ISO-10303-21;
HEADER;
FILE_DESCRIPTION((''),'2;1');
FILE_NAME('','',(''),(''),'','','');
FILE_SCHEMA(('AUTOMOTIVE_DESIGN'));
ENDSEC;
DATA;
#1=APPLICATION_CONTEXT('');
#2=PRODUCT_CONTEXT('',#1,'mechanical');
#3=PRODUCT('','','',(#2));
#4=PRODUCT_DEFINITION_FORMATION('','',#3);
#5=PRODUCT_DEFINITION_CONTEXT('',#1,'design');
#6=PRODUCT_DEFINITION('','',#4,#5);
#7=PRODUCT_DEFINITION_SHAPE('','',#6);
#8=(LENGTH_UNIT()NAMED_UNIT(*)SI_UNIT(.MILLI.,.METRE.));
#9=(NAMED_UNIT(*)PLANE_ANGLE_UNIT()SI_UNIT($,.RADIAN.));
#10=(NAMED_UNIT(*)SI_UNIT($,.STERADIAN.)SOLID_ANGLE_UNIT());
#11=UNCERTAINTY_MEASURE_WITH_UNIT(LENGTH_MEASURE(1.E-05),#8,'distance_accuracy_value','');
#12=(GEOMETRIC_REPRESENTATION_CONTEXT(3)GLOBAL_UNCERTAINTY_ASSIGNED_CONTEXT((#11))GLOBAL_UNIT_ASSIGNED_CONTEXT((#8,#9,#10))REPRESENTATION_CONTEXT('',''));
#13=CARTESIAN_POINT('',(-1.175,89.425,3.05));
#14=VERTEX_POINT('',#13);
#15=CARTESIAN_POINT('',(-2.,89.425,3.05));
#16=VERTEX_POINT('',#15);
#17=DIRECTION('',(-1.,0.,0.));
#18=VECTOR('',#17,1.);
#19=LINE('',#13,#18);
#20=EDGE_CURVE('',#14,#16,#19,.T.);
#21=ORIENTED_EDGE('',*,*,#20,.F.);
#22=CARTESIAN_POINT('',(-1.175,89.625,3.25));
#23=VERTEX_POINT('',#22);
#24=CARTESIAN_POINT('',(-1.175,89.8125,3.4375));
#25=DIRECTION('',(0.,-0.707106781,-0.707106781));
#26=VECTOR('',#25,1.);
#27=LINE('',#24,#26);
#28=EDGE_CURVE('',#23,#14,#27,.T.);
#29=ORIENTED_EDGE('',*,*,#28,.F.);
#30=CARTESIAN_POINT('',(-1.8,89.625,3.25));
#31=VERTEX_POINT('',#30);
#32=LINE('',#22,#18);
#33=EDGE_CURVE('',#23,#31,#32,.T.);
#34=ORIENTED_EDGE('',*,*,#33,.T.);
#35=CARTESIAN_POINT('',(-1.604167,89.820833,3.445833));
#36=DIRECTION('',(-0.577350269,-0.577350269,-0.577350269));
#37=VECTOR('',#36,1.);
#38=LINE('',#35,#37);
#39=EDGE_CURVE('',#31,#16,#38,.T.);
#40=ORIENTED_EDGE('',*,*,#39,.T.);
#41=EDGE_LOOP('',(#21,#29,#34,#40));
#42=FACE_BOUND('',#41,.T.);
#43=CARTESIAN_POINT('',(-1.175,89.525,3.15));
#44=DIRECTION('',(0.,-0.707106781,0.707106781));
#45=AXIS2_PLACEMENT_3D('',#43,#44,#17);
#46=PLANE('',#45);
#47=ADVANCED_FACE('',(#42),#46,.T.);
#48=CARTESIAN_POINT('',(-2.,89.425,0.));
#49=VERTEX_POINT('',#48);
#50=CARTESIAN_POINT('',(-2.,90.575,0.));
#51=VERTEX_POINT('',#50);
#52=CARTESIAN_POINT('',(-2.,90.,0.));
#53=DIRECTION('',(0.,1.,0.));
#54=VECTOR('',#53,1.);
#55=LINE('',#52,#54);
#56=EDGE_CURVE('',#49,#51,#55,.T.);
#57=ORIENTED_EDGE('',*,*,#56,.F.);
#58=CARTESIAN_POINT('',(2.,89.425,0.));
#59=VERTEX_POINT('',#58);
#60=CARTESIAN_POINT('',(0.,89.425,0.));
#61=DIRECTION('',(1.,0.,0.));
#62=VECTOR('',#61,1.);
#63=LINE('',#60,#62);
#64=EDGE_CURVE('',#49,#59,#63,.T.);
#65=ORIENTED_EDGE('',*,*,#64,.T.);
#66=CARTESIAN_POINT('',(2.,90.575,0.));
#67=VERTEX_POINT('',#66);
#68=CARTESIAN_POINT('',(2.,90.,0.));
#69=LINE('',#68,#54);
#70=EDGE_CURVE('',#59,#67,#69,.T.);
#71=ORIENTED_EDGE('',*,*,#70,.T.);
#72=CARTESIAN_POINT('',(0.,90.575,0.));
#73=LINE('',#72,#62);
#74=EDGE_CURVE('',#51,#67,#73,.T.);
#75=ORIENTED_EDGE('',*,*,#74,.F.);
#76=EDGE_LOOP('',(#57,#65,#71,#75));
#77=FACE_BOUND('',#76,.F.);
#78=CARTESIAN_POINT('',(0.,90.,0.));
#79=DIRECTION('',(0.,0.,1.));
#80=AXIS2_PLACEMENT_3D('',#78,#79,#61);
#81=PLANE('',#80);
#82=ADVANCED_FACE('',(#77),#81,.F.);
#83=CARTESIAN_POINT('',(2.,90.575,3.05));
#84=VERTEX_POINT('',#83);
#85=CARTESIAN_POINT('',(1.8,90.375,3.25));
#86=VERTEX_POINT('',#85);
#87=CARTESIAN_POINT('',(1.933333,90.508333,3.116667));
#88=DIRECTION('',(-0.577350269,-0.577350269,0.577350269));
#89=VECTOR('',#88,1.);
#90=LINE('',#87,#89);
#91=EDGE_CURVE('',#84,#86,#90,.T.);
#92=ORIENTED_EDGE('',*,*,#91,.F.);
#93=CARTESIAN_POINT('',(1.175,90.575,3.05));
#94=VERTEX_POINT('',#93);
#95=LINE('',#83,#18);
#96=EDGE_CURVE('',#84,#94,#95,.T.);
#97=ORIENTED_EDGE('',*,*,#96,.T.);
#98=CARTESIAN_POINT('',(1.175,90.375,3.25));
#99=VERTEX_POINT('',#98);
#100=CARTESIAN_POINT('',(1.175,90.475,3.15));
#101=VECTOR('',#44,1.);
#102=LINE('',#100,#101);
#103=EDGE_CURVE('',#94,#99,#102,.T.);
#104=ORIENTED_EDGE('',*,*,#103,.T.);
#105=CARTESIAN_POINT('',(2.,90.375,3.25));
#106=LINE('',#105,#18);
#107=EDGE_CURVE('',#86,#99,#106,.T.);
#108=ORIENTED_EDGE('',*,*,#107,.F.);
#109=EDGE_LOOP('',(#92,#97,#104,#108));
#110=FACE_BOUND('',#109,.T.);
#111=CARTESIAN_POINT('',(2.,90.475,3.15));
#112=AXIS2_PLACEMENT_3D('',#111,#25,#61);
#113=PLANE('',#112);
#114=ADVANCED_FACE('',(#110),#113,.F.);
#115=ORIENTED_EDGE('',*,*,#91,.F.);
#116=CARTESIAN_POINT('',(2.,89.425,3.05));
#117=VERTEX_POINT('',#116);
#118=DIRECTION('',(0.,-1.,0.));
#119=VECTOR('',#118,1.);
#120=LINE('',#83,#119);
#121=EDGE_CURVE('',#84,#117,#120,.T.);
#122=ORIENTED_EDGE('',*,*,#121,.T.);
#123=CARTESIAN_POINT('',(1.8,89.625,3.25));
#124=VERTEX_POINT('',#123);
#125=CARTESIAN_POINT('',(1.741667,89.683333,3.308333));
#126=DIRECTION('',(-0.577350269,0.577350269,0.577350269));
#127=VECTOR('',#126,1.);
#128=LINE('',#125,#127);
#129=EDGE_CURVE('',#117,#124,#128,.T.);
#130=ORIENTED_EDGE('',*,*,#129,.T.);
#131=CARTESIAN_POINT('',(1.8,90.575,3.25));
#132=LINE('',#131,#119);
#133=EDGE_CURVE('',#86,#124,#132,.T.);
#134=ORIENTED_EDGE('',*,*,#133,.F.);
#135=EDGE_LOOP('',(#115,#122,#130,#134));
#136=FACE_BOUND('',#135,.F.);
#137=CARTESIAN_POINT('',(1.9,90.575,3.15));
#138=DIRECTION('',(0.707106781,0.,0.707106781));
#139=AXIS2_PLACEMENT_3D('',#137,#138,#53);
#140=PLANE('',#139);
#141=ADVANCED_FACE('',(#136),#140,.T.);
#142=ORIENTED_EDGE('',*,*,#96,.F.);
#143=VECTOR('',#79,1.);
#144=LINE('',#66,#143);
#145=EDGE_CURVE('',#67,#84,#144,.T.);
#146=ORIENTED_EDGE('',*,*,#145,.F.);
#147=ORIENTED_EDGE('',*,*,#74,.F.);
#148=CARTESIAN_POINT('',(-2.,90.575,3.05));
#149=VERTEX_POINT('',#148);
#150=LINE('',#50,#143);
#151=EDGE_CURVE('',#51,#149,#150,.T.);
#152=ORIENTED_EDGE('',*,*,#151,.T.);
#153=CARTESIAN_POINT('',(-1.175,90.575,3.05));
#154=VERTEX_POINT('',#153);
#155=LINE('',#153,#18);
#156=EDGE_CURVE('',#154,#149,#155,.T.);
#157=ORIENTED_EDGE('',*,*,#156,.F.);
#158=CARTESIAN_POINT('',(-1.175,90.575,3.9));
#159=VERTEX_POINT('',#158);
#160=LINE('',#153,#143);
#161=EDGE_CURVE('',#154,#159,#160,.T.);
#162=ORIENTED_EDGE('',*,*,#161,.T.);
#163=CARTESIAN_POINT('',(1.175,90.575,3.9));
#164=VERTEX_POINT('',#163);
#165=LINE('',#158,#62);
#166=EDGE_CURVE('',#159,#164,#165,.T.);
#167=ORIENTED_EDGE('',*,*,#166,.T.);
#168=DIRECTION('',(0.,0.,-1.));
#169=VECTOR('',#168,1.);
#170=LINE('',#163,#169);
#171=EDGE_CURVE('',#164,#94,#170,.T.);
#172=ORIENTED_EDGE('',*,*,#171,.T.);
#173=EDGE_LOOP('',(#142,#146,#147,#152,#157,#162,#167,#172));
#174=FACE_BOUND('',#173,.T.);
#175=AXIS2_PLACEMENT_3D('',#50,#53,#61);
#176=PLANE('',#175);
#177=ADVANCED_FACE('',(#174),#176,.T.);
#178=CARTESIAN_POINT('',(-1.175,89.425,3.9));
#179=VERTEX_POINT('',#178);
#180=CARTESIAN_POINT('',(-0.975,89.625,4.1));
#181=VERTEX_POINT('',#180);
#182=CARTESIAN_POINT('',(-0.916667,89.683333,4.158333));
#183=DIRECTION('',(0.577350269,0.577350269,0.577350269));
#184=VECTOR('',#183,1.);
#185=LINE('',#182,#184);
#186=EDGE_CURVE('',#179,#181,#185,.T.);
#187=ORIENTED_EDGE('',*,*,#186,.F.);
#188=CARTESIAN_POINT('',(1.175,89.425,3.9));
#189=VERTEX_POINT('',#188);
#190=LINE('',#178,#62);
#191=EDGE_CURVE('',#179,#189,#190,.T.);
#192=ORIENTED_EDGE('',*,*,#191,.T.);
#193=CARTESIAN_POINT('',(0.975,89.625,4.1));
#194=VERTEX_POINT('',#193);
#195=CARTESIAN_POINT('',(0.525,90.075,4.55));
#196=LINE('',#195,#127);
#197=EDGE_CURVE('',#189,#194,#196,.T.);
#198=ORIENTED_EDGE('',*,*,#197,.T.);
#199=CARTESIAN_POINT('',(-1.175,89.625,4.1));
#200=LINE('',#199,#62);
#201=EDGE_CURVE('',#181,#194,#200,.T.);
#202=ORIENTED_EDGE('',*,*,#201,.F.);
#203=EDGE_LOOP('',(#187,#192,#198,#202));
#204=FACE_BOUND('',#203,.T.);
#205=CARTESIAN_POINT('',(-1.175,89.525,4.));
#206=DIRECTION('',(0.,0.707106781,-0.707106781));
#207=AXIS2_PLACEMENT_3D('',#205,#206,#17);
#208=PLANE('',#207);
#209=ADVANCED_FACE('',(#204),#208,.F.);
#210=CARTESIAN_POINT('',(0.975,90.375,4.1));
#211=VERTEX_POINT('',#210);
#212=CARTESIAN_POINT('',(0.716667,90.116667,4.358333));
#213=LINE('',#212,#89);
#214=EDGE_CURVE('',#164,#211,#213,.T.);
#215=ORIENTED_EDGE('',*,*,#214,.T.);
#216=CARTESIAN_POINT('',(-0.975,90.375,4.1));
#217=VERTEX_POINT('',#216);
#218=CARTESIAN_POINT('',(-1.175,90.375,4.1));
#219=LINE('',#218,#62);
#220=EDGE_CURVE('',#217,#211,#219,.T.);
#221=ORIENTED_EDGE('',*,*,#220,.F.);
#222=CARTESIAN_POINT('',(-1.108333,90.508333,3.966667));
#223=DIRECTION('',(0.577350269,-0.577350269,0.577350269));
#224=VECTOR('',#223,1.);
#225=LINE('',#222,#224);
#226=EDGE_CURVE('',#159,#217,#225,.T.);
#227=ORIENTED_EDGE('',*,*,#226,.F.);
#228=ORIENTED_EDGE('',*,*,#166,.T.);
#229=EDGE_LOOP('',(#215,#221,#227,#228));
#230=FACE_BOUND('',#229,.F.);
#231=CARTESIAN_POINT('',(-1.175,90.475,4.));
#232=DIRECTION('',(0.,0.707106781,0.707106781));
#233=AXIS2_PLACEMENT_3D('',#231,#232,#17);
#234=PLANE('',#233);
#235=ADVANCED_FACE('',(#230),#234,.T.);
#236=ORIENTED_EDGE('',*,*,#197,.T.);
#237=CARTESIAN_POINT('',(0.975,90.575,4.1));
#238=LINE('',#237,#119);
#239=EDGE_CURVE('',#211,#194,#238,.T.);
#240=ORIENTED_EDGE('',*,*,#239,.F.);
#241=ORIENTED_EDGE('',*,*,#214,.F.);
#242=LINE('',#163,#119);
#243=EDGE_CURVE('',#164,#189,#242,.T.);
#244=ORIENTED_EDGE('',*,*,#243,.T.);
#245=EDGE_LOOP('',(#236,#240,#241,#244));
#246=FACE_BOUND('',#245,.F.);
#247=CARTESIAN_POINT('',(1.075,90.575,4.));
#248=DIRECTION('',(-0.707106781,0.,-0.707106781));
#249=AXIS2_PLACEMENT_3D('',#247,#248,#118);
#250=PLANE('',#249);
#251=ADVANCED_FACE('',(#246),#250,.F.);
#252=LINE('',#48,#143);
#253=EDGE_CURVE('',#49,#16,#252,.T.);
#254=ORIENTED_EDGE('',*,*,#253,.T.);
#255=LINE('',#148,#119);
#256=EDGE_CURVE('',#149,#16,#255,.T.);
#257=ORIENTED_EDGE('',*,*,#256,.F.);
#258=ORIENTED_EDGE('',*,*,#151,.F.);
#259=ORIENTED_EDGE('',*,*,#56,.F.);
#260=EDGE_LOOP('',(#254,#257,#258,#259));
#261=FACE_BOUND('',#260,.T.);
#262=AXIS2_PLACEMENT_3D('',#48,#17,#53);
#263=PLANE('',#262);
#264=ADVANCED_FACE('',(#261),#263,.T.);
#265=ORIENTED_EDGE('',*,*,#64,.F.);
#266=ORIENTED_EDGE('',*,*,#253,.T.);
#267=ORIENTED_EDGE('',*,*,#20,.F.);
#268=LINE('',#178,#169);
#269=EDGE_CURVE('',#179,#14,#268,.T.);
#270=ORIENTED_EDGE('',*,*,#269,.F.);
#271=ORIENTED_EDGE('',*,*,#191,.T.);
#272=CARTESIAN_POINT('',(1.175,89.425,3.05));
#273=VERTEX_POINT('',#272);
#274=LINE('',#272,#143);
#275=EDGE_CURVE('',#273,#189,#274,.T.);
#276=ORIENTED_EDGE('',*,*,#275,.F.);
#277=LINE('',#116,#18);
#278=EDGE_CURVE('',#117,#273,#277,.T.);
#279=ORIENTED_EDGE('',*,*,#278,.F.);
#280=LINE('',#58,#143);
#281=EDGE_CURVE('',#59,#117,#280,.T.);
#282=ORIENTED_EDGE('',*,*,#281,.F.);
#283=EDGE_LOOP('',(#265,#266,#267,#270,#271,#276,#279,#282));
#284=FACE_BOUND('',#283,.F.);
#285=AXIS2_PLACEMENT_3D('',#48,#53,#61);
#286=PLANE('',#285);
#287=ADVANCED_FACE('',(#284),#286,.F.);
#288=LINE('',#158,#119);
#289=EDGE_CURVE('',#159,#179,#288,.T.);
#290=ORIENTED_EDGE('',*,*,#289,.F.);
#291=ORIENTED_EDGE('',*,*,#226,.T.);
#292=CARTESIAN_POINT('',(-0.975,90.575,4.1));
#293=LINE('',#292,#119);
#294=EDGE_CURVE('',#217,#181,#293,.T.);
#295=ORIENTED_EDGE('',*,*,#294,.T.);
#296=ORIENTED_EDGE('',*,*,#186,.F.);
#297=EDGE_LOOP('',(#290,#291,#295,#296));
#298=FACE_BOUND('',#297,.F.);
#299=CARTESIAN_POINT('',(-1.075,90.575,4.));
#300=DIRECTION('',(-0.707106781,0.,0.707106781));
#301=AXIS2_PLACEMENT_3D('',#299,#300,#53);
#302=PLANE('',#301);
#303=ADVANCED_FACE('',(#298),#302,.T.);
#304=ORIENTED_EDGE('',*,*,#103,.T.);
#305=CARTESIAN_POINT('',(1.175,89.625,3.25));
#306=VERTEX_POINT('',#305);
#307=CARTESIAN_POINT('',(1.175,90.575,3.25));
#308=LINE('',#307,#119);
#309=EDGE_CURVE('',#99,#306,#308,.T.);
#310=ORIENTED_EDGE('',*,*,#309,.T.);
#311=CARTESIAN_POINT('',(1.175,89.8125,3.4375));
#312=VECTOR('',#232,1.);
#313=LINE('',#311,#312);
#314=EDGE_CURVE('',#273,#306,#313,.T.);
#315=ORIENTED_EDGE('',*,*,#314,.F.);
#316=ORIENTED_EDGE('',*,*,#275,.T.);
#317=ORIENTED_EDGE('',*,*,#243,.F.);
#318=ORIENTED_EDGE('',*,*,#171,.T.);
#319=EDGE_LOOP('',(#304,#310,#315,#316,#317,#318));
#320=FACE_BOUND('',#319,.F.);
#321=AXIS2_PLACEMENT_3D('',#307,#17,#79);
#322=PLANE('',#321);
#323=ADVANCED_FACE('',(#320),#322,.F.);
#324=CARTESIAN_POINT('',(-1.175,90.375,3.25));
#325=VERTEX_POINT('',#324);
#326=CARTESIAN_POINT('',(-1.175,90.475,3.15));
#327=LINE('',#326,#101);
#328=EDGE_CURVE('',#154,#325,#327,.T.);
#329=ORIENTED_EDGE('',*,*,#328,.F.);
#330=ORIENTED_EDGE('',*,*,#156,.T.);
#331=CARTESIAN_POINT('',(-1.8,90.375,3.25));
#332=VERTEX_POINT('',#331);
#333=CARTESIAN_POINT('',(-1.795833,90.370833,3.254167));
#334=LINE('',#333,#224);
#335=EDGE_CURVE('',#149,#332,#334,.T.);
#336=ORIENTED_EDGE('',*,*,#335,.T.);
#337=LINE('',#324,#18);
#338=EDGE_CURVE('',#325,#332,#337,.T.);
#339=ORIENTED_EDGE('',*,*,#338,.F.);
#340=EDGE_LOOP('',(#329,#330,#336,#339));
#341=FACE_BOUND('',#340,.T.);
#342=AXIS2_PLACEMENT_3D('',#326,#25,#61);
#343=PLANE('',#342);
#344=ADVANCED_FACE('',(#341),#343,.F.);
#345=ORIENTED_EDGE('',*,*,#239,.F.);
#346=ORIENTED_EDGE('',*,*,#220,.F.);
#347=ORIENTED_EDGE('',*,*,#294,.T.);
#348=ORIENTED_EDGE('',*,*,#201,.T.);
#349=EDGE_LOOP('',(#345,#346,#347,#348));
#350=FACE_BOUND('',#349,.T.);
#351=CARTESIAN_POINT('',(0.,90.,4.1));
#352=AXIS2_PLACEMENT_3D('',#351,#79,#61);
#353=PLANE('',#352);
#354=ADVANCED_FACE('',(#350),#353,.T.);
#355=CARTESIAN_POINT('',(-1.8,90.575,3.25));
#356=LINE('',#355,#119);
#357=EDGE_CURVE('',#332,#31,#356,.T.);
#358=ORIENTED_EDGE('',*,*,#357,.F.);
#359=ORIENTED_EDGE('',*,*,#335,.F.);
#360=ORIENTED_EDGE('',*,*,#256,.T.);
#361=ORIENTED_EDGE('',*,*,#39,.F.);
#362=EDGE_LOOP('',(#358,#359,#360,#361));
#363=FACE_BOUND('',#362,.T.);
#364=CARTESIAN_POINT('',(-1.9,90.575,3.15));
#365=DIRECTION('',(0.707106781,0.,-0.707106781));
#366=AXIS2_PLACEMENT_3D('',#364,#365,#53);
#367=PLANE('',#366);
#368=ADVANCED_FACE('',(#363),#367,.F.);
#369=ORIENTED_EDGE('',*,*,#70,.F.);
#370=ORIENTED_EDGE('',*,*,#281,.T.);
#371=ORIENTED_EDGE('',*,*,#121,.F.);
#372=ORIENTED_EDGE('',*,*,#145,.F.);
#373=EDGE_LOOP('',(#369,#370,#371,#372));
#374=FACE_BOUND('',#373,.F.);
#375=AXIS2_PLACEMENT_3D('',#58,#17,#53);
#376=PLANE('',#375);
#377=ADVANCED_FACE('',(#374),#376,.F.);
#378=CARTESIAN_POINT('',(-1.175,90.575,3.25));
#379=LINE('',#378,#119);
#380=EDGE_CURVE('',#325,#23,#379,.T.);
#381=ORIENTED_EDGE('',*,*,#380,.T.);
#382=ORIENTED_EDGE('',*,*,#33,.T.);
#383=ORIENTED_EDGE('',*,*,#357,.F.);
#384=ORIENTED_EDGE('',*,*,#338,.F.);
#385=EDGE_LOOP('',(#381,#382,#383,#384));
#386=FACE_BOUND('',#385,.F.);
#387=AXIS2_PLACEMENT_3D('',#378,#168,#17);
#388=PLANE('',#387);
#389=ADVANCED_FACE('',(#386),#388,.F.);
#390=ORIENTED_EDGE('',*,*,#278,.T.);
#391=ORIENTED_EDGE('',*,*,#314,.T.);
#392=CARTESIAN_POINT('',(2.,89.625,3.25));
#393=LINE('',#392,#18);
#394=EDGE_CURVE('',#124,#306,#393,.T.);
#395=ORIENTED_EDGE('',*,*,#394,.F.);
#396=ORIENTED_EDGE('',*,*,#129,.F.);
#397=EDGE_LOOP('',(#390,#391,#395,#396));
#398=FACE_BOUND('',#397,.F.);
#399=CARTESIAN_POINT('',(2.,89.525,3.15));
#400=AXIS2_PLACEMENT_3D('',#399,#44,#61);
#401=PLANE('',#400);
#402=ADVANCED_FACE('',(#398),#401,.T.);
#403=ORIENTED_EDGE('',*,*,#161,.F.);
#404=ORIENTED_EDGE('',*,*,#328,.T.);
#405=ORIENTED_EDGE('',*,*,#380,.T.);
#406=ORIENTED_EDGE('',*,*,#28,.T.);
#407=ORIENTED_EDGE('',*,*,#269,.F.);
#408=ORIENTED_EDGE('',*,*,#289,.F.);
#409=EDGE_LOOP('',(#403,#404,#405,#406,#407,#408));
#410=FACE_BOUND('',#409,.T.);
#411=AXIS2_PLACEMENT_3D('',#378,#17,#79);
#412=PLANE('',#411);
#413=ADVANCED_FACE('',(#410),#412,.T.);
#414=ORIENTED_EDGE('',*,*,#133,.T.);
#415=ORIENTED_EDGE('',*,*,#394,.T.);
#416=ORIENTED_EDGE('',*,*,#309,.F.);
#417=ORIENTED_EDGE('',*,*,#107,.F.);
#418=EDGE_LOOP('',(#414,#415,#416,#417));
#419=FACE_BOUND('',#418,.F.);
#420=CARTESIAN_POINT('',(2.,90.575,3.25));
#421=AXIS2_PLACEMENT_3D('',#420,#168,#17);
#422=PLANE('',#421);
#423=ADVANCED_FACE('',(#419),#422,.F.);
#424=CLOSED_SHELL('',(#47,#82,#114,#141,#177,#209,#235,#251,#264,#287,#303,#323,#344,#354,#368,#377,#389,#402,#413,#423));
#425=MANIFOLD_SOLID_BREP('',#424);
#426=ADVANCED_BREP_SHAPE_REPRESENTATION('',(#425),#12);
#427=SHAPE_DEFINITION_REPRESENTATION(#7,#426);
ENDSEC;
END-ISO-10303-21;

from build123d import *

# Parameters (mm, degrees)
SKETCH008_W     = 4
SKETCH008_H     = 1.15
PAD005_DEPTH    = 4.1
SKETCH009_W     = 0.825
SKETCH009_H     = 0.85
POCKET002_DEPTH = 5
CHAMFER005_SIZE = 0.2


with BuildPart() as part:
    # Sketch008 → Pad005 (new body)
    with BuildSketch(Plane.XY):
        Rectangle(SKETCH008_W, SKETCH008_H)
    extrude(amount=PAD005_DEPTH)

    # Sketch009 (on Face1 of Pad005) → Pocket002 (cut)
    with BuildSketch(Plane(origin=(0, 0.575, 0), x_dir=(-1, 0, 0), z_dir=(0, 1, 0))):
        with Locations((-1.5875, 3.675)):
            Rectangle(SKETCH009_W, SKETCH009_H)
        with Locations((1.5875, 3.675)):
            Rectangle(SKETCH009_W, SKETCH009_H)
    extrude(amount=-POCKET002_DEPTH, mode=Mode.SUBTRACT)

    # Chamfer005
    chamfer005_edges = [part.edges().sort_by_distance(p)[0] for p in [
        (0, 0.575, 4.1),
        (0, -0.575, 4.1),
        (1.5875, 0.575, 3.25),
        (-1.5875, 0.575, 3.25),
        (-1.5875, -0.575, 3.25),
        (1.5875, -0.575, 3.25),
        (2, 0, 3.25),
        (-2, 0, 3.25),
        (1.175, 0, 4.1),
        (-1.175, 0, 4.1),
    ]]
    chamfer(chamfer005_edges, length=CHAMFER005_SIZE)


with BuildPart() as part_1:
    # Body049 placement: moved
    add(part.part.moved(Location((0, 90, 0))))


solid = part_1.part
